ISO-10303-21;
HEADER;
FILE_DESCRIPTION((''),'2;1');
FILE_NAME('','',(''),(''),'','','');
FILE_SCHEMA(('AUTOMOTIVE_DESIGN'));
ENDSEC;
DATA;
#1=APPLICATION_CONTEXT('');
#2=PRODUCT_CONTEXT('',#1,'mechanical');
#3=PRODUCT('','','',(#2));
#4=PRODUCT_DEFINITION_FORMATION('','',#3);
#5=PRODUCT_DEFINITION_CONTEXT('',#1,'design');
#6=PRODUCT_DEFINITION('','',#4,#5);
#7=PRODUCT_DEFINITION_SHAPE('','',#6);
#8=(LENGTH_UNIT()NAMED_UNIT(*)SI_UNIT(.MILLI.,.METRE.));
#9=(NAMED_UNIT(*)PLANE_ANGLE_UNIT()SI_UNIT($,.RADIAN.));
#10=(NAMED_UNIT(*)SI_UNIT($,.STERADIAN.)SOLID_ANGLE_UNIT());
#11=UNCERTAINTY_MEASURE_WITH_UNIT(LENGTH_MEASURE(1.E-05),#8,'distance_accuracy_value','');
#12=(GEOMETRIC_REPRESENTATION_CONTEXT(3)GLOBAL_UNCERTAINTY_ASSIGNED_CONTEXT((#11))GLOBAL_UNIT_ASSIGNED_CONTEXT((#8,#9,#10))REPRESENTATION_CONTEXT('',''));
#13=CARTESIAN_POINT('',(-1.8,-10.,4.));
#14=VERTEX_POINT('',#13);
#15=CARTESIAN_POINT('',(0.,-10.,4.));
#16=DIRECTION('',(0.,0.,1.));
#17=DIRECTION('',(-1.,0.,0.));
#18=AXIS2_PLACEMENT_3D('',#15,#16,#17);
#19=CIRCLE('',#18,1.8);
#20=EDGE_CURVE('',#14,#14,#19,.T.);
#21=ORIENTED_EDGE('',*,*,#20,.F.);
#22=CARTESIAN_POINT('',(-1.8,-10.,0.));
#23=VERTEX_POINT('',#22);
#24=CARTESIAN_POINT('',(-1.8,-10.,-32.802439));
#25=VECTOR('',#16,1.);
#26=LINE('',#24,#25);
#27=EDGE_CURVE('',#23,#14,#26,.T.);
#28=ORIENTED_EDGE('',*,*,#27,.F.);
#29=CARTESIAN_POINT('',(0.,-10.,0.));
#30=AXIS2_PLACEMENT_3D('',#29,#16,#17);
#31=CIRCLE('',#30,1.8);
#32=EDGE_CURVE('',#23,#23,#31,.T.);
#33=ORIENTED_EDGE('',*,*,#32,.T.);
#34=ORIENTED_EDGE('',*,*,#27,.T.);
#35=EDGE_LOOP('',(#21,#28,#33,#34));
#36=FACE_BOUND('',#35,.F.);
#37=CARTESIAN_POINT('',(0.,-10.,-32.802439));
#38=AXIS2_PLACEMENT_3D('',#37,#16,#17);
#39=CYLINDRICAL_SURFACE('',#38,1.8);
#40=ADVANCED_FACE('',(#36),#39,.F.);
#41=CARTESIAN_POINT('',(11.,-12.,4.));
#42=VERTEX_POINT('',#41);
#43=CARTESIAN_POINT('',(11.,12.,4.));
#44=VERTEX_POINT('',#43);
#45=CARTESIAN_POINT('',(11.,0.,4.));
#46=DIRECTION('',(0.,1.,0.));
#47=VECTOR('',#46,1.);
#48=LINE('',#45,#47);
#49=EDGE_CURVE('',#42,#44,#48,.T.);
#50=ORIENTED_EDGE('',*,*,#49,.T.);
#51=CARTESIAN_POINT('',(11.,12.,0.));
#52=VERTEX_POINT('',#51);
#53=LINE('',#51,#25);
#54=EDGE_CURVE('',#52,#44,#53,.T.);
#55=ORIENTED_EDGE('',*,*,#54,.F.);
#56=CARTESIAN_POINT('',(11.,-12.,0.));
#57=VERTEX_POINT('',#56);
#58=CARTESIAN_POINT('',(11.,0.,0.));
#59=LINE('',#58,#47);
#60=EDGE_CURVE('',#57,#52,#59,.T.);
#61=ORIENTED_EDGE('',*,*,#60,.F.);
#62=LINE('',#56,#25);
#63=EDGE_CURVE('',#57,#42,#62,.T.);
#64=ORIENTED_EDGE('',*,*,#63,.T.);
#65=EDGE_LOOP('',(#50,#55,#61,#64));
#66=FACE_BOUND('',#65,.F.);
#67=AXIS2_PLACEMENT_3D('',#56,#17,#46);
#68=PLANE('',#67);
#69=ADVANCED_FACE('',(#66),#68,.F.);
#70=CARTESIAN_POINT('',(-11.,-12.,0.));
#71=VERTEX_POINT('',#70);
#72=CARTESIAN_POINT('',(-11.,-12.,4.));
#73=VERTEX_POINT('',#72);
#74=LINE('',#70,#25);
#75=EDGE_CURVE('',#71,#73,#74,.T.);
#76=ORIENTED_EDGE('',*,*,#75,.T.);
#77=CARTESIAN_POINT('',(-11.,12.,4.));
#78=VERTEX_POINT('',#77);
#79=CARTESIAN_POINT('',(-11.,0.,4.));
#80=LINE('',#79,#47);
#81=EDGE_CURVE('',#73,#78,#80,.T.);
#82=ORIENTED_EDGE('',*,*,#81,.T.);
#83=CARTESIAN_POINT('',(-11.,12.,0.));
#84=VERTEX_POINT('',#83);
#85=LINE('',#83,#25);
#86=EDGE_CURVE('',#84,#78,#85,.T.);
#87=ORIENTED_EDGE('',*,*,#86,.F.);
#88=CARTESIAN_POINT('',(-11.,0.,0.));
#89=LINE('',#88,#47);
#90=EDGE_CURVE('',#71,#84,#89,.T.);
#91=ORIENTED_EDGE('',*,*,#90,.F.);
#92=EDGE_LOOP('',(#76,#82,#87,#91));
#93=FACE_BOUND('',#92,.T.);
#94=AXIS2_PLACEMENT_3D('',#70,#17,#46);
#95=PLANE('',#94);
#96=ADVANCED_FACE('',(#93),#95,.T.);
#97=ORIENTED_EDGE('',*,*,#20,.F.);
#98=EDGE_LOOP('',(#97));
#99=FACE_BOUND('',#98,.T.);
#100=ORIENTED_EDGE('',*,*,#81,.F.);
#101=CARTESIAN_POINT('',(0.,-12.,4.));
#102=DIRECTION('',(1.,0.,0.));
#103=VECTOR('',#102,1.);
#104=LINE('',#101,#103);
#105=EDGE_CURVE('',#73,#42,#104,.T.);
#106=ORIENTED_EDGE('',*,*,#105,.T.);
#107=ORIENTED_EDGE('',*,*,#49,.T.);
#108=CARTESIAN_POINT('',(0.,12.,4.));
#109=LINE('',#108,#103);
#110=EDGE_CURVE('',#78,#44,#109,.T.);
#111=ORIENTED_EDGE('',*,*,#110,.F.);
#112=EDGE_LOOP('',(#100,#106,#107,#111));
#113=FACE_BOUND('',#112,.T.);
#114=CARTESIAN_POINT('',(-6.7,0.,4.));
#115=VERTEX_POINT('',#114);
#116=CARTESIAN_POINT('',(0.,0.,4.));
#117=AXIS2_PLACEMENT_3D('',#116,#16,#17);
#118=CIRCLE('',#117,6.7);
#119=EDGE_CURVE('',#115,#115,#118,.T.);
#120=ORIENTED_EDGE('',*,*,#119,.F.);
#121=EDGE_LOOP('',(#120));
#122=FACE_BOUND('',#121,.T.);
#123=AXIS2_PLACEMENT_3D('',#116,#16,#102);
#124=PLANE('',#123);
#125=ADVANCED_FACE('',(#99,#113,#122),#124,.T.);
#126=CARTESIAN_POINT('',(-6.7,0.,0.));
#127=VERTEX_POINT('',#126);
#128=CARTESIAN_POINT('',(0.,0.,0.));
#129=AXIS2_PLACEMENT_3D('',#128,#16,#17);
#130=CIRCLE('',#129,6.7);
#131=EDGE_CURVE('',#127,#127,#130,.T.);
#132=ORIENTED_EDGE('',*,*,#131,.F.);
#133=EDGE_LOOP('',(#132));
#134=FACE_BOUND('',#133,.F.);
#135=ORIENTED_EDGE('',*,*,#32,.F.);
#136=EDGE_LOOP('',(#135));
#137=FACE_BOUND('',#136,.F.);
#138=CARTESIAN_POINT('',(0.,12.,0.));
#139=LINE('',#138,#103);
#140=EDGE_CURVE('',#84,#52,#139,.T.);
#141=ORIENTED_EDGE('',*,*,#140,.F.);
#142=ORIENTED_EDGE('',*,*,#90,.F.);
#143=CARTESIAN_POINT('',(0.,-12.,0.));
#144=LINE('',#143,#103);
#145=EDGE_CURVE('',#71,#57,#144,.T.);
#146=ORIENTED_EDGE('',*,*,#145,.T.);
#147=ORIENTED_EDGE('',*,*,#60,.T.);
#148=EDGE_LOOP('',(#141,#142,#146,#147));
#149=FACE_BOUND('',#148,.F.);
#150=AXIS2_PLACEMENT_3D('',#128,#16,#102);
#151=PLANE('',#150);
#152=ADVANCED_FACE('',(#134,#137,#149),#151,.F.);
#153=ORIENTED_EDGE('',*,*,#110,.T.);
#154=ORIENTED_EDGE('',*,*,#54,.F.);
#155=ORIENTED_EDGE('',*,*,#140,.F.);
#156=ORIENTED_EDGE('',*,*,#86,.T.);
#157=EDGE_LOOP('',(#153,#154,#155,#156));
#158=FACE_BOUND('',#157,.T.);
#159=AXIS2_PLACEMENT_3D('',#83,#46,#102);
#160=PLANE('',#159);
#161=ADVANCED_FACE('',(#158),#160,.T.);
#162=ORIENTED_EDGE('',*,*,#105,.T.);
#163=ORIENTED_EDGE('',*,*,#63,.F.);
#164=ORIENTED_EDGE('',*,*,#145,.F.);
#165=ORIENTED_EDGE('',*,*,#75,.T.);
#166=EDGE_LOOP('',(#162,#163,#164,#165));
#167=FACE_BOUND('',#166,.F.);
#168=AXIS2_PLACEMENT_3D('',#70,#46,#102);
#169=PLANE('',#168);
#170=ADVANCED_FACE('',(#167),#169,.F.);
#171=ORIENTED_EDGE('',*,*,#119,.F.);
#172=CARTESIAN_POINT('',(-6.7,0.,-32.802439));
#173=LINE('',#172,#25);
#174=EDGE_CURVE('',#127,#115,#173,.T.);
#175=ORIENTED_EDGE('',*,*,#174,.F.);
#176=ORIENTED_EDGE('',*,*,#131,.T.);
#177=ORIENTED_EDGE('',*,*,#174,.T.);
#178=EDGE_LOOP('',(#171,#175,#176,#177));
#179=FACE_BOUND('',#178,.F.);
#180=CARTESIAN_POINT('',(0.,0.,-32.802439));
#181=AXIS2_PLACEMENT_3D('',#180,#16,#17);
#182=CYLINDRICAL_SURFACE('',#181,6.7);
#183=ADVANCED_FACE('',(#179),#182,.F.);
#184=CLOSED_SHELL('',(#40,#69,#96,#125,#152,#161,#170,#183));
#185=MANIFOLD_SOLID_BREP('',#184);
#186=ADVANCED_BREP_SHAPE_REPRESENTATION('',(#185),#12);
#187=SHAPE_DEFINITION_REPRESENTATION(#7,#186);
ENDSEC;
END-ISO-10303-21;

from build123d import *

# Parameters (mm, degrees)
F0_W     = 22
F0_H     = 24
F3_DEPTH = 4
F4_D     = 13.4
F5_D     = 3.6


with BuildPart() as f3:
    # F0 (on Top) → F3 (new body)
    with BuildSketch(Plane.XY):
        Rectangle(F0_W, F0_H)
    extrude(amount=F3_DEPTH)

    # F4 (through all)
    with Locations(Plane(origin=(0, 0, 0), x_dir=(1, 0, 0), z_dir=(0, 0, -1))):
        with Locations((0, 0)):
            Hole(F4_D / 2)

    # F5 (through all)
    with Locations(Plane(origin=(0, 0, 0), x_dir=(1, 0, 0), z_dir=(0, 0, -1))):
        with Locations((0, 10)):
            Hole(F5_D / 2)


solid = f3.part
